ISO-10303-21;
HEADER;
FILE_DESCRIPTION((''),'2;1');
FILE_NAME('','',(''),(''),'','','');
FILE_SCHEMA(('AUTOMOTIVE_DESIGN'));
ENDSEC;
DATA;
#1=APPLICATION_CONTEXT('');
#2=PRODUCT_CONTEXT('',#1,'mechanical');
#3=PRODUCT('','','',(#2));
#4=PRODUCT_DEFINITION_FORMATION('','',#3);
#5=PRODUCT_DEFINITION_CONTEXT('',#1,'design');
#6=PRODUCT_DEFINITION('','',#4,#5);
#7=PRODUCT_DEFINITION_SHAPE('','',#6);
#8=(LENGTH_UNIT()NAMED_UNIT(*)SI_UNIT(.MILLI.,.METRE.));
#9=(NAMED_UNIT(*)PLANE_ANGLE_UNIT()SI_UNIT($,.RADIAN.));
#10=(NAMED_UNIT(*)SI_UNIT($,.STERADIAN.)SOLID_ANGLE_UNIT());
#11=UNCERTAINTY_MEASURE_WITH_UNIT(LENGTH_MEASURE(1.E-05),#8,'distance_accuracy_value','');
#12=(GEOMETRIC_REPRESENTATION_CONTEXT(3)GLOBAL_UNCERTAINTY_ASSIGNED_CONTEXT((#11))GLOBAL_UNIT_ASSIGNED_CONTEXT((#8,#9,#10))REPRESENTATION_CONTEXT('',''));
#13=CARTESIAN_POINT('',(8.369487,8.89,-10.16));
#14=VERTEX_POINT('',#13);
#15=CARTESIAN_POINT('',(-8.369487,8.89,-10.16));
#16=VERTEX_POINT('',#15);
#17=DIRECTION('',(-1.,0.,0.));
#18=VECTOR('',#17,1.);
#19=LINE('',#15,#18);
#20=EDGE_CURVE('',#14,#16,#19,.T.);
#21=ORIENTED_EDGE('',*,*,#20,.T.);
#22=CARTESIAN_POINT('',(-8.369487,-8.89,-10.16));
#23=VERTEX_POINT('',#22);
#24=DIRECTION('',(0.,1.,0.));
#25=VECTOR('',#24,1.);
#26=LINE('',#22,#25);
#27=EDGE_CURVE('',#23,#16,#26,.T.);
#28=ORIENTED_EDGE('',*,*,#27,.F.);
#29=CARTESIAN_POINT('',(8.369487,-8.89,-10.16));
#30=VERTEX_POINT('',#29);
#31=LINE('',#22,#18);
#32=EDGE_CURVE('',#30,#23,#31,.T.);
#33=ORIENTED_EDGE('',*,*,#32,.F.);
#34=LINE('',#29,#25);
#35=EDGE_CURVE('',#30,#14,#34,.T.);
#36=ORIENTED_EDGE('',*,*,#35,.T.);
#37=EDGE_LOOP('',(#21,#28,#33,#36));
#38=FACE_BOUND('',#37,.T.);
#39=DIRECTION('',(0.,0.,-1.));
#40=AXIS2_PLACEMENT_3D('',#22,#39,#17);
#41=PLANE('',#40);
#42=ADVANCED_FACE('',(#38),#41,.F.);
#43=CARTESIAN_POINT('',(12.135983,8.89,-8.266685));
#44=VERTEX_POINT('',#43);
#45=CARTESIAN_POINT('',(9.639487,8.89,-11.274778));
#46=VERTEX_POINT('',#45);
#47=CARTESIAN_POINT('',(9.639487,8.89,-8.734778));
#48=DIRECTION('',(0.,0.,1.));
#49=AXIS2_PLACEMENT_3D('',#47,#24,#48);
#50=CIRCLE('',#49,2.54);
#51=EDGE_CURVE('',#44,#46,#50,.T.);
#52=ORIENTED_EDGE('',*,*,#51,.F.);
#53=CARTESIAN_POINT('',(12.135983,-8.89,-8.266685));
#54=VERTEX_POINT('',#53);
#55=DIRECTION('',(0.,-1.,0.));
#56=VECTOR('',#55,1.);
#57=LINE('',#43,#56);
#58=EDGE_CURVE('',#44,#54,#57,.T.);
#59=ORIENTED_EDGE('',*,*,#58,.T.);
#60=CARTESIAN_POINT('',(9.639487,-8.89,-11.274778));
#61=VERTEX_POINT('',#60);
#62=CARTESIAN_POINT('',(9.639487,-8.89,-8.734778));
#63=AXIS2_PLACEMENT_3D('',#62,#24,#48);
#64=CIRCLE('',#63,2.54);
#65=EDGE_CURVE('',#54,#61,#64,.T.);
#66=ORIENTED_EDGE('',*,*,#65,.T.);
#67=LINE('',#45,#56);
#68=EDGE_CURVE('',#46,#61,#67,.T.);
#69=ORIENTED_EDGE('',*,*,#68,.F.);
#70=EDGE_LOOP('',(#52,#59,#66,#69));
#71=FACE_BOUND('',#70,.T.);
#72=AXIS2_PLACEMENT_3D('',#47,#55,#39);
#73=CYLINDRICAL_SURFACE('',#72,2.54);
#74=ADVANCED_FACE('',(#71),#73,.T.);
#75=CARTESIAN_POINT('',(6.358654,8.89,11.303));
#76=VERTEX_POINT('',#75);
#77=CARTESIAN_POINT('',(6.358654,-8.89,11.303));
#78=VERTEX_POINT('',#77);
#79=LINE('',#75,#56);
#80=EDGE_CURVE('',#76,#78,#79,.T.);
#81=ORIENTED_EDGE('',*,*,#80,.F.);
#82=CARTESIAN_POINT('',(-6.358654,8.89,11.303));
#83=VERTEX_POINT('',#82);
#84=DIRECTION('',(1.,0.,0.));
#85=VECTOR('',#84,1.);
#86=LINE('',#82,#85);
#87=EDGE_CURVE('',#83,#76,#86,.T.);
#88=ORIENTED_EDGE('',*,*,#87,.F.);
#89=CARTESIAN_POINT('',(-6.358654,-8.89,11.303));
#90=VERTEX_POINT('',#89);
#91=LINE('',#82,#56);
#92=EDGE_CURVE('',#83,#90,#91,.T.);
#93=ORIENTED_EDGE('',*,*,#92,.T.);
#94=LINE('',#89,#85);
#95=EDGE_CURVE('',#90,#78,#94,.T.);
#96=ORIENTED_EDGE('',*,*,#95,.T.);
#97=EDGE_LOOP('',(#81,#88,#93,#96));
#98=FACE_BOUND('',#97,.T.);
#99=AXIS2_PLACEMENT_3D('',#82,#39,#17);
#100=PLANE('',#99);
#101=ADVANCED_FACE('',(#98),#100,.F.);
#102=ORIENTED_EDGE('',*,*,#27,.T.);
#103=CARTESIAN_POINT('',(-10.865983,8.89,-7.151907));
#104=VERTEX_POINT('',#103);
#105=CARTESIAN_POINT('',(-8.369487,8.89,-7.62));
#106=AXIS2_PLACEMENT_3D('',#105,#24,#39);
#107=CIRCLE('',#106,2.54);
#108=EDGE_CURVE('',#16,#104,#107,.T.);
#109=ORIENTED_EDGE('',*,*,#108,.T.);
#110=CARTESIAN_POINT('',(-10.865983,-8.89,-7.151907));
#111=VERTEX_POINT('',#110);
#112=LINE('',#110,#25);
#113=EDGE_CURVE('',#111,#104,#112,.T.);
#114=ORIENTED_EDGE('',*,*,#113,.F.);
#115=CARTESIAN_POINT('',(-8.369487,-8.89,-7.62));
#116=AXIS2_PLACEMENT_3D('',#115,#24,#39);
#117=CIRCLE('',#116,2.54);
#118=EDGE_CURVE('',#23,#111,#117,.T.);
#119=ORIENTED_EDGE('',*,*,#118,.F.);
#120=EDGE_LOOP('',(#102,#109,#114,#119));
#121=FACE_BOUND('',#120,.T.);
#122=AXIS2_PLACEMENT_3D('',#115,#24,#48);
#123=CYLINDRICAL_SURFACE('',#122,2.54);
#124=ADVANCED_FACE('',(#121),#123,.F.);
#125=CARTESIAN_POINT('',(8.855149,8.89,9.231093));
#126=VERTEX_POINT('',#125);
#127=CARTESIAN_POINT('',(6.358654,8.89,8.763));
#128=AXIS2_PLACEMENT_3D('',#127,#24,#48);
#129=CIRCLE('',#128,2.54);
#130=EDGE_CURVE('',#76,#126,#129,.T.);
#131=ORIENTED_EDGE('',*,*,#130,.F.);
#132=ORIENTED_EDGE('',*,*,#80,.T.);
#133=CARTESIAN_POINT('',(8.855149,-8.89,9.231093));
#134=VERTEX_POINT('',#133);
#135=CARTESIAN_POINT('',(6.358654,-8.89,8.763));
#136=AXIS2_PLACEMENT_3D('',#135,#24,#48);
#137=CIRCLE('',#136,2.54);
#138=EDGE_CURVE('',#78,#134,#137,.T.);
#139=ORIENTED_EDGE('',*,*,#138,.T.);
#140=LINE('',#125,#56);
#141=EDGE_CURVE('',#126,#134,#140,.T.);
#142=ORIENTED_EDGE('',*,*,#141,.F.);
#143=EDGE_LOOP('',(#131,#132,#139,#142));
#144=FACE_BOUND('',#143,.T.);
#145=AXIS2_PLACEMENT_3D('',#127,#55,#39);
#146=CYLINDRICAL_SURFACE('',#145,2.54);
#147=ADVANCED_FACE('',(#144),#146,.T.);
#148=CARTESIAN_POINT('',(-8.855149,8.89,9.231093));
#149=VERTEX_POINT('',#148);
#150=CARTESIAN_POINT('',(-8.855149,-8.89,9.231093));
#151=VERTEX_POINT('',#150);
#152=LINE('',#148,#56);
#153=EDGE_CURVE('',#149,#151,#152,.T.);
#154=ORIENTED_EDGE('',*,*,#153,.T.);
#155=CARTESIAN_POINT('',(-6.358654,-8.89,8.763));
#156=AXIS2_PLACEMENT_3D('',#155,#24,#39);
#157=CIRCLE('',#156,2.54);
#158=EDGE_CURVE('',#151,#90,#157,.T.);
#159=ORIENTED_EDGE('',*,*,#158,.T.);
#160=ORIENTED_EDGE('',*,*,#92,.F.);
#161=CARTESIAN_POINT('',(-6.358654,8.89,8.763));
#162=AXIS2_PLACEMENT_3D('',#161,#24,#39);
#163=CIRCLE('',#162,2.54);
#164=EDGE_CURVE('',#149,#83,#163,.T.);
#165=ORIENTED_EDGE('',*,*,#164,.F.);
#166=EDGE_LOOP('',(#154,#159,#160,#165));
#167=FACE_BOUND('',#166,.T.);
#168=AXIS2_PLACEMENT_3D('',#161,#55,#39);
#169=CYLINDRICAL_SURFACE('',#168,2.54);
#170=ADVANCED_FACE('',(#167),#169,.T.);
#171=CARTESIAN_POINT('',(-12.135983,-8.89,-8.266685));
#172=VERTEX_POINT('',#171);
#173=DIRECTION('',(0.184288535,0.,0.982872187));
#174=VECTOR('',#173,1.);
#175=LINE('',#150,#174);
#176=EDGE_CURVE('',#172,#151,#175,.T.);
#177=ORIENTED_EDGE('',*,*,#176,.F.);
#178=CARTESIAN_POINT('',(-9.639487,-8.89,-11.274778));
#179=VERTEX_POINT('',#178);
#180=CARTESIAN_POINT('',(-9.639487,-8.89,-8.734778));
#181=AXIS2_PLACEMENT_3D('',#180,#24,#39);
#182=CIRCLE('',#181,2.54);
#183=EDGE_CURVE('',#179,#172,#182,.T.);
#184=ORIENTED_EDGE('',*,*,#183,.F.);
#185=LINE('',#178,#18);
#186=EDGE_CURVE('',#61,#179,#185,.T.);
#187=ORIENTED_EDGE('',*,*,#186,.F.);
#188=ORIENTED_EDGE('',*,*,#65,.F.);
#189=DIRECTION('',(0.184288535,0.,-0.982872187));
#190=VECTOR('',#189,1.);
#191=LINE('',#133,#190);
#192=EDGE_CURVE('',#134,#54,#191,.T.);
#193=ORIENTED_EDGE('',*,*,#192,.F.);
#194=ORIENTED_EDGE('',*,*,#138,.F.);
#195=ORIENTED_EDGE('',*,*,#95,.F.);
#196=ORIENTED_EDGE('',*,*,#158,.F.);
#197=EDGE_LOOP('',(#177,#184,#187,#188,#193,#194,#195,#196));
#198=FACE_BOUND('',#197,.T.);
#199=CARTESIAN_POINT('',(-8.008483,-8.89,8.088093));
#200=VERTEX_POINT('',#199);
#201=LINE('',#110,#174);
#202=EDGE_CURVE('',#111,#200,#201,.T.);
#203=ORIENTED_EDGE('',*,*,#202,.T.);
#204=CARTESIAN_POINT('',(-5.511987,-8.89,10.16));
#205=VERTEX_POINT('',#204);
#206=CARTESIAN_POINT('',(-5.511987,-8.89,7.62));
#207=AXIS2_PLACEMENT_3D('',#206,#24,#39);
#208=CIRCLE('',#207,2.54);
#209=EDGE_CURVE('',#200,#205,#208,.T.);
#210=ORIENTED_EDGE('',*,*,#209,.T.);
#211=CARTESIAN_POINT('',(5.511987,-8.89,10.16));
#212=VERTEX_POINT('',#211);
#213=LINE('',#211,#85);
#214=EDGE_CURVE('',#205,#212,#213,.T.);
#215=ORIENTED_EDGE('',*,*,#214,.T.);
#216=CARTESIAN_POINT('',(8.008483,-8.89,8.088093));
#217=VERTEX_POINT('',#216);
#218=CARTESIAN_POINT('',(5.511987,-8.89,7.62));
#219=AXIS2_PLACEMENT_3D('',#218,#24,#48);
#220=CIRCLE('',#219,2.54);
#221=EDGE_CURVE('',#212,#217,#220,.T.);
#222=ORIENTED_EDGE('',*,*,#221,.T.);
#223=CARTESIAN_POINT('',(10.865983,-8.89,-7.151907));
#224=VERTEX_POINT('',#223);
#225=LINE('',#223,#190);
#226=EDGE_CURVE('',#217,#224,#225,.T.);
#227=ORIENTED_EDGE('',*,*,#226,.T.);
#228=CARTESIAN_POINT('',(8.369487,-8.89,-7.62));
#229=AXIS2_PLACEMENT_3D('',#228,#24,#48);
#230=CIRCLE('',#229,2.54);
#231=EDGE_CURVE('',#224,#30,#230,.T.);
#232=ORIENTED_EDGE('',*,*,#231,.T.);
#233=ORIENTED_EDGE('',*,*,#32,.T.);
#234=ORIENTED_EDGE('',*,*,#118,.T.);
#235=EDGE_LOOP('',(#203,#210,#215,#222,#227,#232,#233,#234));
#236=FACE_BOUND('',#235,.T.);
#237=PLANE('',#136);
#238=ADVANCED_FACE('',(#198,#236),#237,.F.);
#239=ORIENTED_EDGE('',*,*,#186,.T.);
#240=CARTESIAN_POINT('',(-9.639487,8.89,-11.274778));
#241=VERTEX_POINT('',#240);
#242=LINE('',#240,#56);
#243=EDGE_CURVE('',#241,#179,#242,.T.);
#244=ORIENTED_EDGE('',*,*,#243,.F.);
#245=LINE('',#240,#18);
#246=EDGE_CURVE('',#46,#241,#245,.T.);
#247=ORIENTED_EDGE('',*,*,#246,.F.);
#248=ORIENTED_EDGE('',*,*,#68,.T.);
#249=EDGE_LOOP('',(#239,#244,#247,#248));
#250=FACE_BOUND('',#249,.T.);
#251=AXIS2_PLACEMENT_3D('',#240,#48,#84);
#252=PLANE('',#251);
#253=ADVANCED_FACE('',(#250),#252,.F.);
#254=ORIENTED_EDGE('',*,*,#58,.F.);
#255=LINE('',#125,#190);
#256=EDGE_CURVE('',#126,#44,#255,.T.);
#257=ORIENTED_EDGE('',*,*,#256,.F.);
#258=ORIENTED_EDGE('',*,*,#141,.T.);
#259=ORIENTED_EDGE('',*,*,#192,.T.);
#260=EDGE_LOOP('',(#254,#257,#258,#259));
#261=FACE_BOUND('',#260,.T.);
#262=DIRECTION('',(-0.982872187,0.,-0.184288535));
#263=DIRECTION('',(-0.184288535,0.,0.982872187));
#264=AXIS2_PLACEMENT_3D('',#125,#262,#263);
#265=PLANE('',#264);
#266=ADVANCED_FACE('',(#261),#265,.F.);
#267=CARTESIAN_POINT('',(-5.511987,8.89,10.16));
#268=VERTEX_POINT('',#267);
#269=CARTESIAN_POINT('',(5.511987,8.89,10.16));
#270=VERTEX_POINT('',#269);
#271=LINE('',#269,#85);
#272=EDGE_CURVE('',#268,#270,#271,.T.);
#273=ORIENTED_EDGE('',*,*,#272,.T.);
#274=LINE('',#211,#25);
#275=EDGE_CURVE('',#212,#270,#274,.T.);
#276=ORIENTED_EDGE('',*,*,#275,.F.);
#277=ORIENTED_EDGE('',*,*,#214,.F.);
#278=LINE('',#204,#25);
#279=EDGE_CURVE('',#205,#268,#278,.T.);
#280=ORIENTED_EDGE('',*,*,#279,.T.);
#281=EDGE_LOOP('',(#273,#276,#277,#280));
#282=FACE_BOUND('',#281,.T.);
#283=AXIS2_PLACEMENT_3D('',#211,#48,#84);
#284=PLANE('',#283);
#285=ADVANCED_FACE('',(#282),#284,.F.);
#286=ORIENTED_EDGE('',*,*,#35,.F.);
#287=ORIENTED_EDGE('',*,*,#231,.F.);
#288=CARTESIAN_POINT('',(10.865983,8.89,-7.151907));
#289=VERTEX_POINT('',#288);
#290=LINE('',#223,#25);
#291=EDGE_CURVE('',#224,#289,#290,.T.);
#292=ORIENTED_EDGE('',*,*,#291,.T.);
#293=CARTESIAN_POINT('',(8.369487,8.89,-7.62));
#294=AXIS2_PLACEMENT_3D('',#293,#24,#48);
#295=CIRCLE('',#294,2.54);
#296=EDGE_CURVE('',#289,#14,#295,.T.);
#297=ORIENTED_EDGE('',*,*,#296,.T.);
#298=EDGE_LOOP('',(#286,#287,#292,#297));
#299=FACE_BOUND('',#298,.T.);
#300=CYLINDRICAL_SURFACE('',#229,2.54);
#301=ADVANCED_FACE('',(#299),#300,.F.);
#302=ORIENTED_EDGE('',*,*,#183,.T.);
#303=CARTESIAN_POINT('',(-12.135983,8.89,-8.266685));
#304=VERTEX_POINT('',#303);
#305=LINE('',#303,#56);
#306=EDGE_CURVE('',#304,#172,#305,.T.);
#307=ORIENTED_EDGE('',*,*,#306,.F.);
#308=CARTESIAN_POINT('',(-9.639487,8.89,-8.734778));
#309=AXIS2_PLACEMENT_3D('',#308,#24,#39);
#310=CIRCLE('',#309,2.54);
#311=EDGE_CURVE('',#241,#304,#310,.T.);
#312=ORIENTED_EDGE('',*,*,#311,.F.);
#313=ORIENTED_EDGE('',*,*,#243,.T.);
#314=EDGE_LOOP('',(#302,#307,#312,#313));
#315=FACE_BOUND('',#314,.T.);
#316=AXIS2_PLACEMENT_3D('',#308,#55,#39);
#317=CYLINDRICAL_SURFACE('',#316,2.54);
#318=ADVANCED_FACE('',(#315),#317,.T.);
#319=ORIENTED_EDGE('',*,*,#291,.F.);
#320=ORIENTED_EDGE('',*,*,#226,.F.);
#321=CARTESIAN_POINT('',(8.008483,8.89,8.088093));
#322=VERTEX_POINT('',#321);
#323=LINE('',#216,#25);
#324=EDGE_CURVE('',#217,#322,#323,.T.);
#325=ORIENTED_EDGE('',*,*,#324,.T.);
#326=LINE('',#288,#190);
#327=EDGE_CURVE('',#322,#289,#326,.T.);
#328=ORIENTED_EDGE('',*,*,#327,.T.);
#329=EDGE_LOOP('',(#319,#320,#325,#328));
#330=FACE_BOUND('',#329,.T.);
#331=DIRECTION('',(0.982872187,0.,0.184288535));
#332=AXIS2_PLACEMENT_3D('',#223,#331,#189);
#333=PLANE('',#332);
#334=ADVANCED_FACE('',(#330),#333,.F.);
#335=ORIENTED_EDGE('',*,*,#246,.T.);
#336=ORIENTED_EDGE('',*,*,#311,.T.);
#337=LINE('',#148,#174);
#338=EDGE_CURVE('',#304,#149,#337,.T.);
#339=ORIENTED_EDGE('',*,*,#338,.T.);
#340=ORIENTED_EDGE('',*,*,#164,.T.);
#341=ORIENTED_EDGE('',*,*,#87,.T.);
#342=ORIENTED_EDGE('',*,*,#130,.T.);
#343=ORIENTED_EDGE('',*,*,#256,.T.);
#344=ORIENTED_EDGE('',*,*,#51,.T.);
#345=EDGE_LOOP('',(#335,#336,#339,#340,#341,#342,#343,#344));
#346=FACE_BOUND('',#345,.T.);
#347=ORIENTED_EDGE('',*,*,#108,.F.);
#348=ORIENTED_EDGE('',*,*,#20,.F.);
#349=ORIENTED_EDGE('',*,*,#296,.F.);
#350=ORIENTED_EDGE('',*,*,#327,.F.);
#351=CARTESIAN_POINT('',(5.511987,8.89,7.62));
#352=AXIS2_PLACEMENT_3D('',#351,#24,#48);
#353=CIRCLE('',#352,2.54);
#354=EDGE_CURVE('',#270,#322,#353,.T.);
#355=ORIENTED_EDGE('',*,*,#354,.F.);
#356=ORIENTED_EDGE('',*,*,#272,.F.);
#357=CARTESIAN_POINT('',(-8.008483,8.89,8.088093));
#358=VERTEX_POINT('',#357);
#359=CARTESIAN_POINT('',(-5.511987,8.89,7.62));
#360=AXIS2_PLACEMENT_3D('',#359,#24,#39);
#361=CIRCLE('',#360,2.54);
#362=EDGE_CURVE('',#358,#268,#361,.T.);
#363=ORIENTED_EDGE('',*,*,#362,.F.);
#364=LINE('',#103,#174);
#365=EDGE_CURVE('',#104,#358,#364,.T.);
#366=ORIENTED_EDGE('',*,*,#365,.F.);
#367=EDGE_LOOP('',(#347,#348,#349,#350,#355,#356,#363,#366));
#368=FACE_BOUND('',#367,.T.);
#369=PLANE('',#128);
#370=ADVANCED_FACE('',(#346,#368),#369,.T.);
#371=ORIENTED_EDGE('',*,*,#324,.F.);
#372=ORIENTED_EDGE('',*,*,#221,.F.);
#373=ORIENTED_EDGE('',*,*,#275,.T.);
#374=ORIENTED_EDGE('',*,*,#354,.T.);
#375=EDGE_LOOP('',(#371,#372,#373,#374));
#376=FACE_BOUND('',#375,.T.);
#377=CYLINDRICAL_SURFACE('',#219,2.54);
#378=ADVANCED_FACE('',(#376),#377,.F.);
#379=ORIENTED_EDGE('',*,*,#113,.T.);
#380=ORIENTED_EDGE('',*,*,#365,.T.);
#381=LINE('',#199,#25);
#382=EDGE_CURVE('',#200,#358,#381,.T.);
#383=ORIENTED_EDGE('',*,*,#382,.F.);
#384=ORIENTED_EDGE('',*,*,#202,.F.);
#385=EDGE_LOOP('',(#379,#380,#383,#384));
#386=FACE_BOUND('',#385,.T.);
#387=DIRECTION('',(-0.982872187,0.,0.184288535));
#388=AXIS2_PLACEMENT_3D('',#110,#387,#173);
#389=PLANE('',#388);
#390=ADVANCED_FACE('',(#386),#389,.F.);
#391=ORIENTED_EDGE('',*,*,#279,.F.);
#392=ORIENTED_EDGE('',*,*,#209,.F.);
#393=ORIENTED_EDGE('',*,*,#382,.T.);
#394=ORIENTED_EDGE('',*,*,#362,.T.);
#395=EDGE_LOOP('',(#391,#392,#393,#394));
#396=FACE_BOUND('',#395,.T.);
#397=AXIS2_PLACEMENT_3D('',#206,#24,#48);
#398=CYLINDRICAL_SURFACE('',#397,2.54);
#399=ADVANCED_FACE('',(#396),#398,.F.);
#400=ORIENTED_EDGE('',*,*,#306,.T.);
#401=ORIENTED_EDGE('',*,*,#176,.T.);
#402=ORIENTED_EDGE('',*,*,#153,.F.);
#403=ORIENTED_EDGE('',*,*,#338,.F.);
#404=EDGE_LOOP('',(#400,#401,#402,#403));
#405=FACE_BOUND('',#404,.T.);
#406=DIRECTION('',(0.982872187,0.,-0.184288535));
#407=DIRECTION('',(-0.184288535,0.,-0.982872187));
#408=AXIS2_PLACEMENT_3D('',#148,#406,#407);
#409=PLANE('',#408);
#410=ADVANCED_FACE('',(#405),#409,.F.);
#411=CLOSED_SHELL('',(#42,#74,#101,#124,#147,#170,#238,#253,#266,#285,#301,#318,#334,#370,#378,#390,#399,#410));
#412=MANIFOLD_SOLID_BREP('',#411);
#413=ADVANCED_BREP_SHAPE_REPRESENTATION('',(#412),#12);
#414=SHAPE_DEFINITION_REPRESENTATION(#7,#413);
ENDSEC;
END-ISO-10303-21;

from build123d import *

# Parameters (mm, degrees)
BOSS_EXTRUDE1_DEPTH = 8.89
CUT_EXTRUDE3_DEPTH  = 25.335696378


with BuildPart() as part:
    # Sketch1 → Boss-Extrude1 (new, symmetric)
    with BuildSketch(Plane(origin=(0, 0, 0), x_dir=(1, 0, 0), z_dir=(0, 1, 0))):
        with BuildLine():
            Line((-9.63948723, 11.274777778), (9.63948723, 11.274777778))
            ThreePointArc((9.63948723, 11.274777778), (11.594040365, 10.356912804), (12.135982585, 8.266684899))
            Line((12.135982585, 8.266684899), (8.855149252, -9.231092879))
            ThreePointArc((8.855149252, -9.231092879), (7.980788923, -10.717553135), (6.358653897, -11.303))
            Line((6.358653897, -11.303), (-6.358653897, -11.303))
            ThreePointArc((-6.358653897, -11.303), (-7.980788923, -10.717553135), (-8.855149252, -9.231092879))
            Line((-8.855149252, -9.231092879), (-12.135982585, 8.266684899))
            ThreePointArc((-12.135982585, 8.266684899), (-11.594040365, 10.356912804), (-9.63948723, 11.274777778))
        make_face()
    extrude(amount=BOSS_EXTRUDE1_DEPTH, both=True)

    # Sketch2 → Cut-Extrude3 (cut, through all)
    with BuildSketch(Plane(origin=(0, 8.89, 0), x_dir=(1, 0, 0), z_dir=(0, 1, 0))):
        with BuildLine():
            Line((-8.36948723, 10.16), (8.36948723, 10.16))
            ThreePointArc((8.36948723, 10.16), (10.324040365, 9.242135026), (10.865982585, 7.151907121))
            Line((10.865982585, 7.151907121), (8.008482585, -8.088092879))
            ThreePointArc((8.008482585, -8.088092879), (7.134122257, -9.574553135), (5.51198723, -10.16))
            Line((5.51198723, -10.16), (-5.51198723, -10.16))
            ThreePointArc((-5.51198723, -10.16), (-7.134122257, -9.574553135), (-8.008482585, -8.088092879))
            Line((-8.008482585, -8.088092879), (-10.865982585, 7.151907121))
            ThreePointArc((-10.865982585, 7.151907121), (-10.324040365, 9.242135026), (-8.36948723, 10.16))
        make_face()
    extrude(amount=-CUT_EXTRUDE3_DEPTH, mode=Mode.SUBTRACT)


solid = part.part
